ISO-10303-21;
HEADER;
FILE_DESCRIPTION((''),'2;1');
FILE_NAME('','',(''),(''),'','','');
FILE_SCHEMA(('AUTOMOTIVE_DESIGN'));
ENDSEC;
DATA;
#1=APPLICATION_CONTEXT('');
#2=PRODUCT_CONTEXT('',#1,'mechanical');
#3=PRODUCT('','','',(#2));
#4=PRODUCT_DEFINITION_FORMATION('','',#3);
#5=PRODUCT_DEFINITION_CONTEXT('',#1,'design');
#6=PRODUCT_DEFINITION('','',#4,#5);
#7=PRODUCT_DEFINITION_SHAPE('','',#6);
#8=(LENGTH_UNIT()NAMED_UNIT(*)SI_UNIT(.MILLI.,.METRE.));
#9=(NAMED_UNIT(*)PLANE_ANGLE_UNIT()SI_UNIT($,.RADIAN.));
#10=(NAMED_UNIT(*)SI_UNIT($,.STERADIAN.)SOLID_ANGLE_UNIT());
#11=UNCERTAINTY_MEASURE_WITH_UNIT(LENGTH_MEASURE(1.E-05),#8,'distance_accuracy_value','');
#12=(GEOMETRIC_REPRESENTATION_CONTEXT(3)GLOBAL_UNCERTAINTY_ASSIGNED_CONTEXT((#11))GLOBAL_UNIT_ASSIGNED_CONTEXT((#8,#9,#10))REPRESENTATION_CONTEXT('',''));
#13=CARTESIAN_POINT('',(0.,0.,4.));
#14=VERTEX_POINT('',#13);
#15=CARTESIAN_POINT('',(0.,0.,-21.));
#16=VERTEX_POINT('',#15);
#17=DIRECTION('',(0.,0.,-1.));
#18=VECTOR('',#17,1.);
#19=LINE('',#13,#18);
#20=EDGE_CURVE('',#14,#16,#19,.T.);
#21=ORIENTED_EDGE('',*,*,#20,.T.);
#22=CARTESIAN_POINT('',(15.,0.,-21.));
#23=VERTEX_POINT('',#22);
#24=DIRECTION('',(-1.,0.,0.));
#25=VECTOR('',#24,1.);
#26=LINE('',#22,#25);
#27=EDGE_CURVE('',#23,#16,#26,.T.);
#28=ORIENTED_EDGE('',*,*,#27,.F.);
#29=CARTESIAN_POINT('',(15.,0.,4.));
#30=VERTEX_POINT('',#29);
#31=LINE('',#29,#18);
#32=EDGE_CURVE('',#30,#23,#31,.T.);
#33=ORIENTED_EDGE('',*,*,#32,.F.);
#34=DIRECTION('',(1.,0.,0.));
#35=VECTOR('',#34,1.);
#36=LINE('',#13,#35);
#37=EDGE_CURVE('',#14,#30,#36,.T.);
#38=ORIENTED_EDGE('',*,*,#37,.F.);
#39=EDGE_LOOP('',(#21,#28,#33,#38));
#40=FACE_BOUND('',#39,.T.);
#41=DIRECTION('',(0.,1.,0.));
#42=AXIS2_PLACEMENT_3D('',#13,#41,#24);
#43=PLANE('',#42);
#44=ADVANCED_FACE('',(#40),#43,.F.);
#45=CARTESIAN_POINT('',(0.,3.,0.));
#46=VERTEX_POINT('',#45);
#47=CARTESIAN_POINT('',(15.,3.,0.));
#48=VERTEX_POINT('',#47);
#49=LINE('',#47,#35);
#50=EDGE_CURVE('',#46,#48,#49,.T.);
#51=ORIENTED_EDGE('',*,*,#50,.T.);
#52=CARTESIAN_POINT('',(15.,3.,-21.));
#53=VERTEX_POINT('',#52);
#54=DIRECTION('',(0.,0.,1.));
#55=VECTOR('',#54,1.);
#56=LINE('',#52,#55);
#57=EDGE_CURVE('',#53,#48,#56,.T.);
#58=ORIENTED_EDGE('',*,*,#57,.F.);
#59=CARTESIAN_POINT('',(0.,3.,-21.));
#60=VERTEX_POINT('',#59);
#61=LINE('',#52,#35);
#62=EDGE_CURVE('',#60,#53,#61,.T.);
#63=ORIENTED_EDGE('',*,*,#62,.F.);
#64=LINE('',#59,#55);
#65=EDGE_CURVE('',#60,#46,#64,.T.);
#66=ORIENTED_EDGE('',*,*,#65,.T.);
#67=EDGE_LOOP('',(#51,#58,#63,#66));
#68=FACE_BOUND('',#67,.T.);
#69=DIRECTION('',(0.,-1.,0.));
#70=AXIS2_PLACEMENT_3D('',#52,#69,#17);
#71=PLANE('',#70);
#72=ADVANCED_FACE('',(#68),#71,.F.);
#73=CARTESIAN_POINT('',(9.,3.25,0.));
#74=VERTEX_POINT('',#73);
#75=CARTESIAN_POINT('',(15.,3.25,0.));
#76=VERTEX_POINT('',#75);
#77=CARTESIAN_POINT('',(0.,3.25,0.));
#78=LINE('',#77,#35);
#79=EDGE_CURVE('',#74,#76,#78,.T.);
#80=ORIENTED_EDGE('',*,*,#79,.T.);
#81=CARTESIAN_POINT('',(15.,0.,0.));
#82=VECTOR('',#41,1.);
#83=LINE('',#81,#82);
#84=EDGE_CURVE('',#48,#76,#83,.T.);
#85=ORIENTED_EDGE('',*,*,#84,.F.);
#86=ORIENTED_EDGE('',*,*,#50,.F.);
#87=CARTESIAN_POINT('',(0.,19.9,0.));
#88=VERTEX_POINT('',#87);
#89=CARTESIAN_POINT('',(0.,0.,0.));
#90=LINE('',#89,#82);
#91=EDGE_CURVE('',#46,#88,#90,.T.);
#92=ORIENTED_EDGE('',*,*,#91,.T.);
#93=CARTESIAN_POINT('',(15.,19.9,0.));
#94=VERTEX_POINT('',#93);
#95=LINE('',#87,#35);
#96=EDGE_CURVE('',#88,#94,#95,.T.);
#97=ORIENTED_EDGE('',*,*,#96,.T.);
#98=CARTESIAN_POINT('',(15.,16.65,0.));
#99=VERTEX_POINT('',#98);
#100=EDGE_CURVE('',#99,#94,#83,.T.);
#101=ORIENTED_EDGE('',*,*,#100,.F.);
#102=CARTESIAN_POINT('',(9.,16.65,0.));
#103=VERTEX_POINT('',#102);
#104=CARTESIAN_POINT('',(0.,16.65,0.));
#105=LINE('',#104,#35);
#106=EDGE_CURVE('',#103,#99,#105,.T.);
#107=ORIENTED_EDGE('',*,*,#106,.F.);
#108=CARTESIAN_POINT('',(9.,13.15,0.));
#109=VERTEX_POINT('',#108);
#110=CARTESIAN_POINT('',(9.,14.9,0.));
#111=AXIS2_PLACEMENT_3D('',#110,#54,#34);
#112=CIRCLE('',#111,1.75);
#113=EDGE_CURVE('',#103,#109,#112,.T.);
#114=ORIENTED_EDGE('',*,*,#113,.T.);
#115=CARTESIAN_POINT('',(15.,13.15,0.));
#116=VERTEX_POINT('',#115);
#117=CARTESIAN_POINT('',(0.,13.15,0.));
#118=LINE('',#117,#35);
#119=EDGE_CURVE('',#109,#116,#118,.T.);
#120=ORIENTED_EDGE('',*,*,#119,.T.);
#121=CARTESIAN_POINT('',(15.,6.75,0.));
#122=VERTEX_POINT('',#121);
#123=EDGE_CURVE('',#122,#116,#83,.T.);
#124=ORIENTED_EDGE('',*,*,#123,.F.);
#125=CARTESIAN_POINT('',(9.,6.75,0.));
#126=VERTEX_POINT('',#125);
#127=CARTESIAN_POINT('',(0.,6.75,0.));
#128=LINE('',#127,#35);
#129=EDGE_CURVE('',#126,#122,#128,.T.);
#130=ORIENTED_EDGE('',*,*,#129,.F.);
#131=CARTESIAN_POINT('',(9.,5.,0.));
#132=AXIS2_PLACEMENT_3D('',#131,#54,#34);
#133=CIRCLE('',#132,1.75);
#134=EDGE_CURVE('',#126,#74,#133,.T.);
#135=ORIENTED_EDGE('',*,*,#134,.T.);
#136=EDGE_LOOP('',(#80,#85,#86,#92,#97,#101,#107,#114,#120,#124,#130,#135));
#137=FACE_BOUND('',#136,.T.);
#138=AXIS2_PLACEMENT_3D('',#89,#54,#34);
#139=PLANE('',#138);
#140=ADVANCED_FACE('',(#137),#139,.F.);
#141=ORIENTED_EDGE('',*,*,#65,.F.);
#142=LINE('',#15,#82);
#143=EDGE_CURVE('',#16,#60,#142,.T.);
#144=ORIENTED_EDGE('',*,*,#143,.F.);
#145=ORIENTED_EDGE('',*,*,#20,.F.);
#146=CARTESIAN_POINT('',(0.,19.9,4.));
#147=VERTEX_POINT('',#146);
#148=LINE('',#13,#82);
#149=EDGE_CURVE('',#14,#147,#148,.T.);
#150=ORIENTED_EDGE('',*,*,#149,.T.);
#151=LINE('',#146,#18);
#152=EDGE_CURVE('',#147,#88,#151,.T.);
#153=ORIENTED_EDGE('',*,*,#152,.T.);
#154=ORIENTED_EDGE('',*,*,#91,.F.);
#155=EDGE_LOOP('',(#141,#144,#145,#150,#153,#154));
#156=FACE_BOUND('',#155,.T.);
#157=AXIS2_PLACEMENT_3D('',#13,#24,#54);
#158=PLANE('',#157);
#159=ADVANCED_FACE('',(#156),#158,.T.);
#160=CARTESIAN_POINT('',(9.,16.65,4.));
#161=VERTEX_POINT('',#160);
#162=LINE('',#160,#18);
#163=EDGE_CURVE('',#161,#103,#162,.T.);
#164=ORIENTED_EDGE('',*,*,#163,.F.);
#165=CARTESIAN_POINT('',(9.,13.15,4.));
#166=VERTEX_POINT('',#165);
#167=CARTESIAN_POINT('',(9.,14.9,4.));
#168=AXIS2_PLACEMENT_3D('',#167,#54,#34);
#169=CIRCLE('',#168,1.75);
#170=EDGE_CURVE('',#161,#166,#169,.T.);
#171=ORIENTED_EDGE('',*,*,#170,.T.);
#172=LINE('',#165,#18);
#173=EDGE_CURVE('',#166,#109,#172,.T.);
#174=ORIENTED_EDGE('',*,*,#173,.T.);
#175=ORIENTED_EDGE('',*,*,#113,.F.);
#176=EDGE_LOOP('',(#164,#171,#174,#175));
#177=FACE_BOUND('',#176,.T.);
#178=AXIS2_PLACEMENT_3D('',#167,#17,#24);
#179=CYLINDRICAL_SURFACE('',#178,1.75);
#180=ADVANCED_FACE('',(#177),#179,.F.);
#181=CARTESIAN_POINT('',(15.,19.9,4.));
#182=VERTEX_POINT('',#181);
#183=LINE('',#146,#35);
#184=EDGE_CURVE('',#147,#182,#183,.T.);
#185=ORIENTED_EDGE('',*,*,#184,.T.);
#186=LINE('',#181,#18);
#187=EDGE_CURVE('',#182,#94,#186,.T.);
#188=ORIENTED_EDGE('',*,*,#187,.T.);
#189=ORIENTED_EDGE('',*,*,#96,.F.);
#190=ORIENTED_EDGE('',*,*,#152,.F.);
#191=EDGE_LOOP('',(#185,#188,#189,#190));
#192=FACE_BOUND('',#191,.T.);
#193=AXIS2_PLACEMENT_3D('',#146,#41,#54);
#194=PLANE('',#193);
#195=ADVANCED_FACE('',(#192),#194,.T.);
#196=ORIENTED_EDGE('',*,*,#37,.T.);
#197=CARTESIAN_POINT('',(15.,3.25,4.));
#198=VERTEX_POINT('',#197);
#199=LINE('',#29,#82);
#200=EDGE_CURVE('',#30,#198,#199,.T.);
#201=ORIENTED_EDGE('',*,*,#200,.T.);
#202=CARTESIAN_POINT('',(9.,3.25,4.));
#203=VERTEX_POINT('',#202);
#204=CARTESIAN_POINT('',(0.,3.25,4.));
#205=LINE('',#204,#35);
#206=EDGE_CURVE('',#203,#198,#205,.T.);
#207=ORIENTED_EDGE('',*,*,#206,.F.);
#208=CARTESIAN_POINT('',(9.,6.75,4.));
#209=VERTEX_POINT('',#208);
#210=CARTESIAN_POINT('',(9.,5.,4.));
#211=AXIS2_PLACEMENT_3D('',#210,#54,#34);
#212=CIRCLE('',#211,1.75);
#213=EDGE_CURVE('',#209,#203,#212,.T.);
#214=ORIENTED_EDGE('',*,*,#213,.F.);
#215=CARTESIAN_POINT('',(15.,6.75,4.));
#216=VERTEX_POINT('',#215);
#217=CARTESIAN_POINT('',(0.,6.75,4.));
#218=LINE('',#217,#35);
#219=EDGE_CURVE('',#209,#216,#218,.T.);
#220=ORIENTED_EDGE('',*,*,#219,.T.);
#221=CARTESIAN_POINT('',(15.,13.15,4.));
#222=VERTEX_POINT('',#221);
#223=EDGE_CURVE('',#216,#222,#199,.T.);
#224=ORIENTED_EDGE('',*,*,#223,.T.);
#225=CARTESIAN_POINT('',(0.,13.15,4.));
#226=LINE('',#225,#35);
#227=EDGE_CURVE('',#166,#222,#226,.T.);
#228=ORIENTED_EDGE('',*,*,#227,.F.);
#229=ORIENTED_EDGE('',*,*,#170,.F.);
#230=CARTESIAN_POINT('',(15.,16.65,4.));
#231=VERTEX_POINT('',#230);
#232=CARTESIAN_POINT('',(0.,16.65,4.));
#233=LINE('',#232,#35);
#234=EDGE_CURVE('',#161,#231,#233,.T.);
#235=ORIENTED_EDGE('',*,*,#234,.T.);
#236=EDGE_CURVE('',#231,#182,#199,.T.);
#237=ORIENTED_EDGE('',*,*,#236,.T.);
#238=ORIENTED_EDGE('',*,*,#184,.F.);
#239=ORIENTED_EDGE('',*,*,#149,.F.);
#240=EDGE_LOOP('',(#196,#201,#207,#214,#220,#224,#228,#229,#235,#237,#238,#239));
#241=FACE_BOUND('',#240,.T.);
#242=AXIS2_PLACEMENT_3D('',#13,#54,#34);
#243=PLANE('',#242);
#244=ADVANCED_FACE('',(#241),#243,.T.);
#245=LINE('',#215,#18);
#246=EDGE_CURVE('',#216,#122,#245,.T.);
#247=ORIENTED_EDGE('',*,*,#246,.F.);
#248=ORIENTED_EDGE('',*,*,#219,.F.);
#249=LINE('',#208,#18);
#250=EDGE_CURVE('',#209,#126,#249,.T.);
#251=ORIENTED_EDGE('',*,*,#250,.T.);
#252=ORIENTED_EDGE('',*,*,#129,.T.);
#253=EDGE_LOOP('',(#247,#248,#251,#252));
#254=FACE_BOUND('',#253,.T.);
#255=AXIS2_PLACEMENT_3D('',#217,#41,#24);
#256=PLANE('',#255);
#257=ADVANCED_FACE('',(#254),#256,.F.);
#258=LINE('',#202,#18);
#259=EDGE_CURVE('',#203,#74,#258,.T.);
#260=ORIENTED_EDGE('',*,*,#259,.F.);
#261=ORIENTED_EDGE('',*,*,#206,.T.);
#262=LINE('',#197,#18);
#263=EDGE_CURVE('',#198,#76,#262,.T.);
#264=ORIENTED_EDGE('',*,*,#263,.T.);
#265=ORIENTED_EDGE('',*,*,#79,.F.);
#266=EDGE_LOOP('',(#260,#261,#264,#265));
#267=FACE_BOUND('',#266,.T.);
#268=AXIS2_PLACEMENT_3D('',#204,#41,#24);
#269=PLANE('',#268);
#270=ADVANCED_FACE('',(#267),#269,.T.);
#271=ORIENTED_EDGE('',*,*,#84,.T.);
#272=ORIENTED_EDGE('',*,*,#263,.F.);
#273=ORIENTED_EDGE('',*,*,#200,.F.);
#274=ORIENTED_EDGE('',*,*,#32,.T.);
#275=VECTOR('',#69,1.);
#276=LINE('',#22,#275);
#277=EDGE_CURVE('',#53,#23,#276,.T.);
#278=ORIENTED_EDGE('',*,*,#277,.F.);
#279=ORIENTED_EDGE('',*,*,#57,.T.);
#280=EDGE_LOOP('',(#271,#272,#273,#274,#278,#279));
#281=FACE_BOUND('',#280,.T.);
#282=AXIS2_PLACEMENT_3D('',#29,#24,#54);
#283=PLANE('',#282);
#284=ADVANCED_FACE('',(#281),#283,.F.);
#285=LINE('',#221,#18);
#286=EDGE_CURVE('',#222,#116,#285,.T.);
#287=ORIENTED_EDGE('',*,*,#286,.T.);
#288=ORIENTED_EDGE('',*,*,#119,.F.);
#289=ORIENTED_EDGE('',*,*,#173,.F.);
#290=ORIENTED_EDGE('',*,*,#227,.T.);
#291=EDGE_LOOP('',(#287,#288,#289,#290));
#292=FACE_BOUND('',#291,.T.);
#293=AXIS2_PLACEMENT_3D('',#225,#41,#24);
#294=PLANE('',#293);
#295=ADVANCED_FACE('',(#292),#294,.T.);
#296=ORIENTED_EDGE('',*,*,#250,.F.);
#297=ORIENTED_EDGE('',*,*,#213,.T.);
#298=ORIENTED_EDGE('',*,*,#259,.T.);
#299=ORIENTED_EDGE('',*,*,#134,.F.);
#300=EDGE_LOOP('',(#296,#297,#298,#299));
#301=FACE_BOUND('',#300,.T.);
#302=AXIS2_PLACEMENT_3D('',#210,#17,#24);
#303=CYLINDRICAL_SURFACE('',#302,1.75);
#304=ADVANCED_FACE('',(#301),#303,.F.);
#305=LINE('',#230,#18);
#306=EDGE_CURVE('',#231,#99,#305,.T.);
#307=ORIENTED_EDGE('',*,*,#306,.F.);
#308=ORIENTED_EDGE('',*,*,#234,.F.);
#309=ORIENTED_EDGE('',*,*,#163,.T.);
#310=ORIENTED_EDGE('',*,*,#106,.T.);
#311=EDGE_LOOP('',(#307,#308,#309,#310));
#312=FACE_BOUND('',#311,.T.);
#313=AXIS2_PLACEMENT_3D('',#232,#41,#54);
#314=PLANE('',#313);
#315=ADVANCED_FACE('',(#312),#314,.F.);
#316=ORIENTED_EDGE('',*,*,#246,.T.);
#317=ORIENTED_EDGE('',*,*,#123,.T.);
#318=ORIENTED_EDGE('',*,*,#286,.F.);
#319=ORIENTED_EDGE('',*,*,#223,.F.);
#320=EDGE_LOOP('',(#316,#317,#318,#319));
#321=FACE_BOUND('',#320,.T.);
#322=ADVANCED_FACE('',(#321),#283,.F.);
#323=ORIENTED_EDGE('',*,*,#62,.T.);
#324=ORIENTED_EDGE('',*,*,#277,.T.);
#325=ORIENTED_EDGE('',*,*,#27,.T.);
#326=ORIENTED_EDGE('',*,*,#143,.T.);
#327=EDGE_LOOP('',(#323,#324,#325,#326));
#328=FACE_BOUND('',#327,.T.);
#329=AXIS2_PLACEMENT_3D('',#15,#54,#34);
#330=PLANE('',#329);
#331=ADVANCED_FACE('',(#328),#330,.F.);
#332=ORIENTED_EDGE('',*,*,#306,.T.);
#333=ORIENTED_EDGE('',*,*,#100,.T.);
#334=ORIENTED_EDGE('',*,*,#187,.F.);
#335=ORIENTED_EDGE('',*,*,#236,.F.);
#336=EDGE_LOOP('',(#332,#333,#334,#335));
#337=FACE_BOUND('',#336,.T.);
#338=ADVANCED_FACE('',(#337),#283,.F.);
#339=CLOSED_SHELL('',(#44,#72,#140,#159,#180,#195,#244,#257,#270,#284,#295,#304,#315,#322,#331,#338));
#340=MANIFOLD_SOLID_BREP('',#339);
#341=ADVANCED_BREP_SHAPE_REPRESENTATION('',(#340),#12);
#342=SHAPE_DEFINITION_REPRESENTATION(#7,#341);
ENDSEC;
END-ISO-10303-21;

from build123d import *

# Parameters (mm, degrees)
ESTRUSIONE_ESTRUSIONE1_DEPTH = 4
SCHIZZO2_W                   = 15
SCHIZZO2_H                   = 3
ESTRUSIONE_ESTRUSIONE2_DEPTH = 21


with BuildPart() as part:
    # Schizzo1 → Estrusione-Estrusione1 (new body)
    with BuildSketch(Plane.XY):
        with BuildLine():
            Line((0, 19.9), (0, 0))
            Line((0, 0), (15, 0))
            Line((15, 0), (15, 3.25))
            Line((15, 3.25), (9, 3.25))
            ThreePointArc((9, 3.25), (7.25, 5), (9, 6.75))
            Line((9, 6.75), (15, 6.75))
            Line((15, 6.75), (15, 13.15))
            Line((15, 13.15), (9, 13.15))
            ThreePointArc((9, 13.15), (7.25, 14.9), (9, 16.65))
            Line((9, 16.65), (15, 16.65))
            Line((15, 16.65), (15, 19.9))
            Line((15, 19.9), (0, 19.9))
        make_face()
    extrude(amount=ESTRUSIONE_ESTRUSIONE1_DEPTH)

    # Schizzo2 → Estrusione-Estrusione2 (add)
    with BuildSketch(Plane(origin=(0, 0, 0), x_dir=(-1, 0, 0), z_dir=(0, 0, -1))):
        with Locations((-7.5, 1.5)):
            Rectangle(SCHIZZO2_W, SCHIZZO2_H)
    extrude(amount=ESTRUSIONE_ESTRUSIONE2_DEPTH)


solid = part.part
